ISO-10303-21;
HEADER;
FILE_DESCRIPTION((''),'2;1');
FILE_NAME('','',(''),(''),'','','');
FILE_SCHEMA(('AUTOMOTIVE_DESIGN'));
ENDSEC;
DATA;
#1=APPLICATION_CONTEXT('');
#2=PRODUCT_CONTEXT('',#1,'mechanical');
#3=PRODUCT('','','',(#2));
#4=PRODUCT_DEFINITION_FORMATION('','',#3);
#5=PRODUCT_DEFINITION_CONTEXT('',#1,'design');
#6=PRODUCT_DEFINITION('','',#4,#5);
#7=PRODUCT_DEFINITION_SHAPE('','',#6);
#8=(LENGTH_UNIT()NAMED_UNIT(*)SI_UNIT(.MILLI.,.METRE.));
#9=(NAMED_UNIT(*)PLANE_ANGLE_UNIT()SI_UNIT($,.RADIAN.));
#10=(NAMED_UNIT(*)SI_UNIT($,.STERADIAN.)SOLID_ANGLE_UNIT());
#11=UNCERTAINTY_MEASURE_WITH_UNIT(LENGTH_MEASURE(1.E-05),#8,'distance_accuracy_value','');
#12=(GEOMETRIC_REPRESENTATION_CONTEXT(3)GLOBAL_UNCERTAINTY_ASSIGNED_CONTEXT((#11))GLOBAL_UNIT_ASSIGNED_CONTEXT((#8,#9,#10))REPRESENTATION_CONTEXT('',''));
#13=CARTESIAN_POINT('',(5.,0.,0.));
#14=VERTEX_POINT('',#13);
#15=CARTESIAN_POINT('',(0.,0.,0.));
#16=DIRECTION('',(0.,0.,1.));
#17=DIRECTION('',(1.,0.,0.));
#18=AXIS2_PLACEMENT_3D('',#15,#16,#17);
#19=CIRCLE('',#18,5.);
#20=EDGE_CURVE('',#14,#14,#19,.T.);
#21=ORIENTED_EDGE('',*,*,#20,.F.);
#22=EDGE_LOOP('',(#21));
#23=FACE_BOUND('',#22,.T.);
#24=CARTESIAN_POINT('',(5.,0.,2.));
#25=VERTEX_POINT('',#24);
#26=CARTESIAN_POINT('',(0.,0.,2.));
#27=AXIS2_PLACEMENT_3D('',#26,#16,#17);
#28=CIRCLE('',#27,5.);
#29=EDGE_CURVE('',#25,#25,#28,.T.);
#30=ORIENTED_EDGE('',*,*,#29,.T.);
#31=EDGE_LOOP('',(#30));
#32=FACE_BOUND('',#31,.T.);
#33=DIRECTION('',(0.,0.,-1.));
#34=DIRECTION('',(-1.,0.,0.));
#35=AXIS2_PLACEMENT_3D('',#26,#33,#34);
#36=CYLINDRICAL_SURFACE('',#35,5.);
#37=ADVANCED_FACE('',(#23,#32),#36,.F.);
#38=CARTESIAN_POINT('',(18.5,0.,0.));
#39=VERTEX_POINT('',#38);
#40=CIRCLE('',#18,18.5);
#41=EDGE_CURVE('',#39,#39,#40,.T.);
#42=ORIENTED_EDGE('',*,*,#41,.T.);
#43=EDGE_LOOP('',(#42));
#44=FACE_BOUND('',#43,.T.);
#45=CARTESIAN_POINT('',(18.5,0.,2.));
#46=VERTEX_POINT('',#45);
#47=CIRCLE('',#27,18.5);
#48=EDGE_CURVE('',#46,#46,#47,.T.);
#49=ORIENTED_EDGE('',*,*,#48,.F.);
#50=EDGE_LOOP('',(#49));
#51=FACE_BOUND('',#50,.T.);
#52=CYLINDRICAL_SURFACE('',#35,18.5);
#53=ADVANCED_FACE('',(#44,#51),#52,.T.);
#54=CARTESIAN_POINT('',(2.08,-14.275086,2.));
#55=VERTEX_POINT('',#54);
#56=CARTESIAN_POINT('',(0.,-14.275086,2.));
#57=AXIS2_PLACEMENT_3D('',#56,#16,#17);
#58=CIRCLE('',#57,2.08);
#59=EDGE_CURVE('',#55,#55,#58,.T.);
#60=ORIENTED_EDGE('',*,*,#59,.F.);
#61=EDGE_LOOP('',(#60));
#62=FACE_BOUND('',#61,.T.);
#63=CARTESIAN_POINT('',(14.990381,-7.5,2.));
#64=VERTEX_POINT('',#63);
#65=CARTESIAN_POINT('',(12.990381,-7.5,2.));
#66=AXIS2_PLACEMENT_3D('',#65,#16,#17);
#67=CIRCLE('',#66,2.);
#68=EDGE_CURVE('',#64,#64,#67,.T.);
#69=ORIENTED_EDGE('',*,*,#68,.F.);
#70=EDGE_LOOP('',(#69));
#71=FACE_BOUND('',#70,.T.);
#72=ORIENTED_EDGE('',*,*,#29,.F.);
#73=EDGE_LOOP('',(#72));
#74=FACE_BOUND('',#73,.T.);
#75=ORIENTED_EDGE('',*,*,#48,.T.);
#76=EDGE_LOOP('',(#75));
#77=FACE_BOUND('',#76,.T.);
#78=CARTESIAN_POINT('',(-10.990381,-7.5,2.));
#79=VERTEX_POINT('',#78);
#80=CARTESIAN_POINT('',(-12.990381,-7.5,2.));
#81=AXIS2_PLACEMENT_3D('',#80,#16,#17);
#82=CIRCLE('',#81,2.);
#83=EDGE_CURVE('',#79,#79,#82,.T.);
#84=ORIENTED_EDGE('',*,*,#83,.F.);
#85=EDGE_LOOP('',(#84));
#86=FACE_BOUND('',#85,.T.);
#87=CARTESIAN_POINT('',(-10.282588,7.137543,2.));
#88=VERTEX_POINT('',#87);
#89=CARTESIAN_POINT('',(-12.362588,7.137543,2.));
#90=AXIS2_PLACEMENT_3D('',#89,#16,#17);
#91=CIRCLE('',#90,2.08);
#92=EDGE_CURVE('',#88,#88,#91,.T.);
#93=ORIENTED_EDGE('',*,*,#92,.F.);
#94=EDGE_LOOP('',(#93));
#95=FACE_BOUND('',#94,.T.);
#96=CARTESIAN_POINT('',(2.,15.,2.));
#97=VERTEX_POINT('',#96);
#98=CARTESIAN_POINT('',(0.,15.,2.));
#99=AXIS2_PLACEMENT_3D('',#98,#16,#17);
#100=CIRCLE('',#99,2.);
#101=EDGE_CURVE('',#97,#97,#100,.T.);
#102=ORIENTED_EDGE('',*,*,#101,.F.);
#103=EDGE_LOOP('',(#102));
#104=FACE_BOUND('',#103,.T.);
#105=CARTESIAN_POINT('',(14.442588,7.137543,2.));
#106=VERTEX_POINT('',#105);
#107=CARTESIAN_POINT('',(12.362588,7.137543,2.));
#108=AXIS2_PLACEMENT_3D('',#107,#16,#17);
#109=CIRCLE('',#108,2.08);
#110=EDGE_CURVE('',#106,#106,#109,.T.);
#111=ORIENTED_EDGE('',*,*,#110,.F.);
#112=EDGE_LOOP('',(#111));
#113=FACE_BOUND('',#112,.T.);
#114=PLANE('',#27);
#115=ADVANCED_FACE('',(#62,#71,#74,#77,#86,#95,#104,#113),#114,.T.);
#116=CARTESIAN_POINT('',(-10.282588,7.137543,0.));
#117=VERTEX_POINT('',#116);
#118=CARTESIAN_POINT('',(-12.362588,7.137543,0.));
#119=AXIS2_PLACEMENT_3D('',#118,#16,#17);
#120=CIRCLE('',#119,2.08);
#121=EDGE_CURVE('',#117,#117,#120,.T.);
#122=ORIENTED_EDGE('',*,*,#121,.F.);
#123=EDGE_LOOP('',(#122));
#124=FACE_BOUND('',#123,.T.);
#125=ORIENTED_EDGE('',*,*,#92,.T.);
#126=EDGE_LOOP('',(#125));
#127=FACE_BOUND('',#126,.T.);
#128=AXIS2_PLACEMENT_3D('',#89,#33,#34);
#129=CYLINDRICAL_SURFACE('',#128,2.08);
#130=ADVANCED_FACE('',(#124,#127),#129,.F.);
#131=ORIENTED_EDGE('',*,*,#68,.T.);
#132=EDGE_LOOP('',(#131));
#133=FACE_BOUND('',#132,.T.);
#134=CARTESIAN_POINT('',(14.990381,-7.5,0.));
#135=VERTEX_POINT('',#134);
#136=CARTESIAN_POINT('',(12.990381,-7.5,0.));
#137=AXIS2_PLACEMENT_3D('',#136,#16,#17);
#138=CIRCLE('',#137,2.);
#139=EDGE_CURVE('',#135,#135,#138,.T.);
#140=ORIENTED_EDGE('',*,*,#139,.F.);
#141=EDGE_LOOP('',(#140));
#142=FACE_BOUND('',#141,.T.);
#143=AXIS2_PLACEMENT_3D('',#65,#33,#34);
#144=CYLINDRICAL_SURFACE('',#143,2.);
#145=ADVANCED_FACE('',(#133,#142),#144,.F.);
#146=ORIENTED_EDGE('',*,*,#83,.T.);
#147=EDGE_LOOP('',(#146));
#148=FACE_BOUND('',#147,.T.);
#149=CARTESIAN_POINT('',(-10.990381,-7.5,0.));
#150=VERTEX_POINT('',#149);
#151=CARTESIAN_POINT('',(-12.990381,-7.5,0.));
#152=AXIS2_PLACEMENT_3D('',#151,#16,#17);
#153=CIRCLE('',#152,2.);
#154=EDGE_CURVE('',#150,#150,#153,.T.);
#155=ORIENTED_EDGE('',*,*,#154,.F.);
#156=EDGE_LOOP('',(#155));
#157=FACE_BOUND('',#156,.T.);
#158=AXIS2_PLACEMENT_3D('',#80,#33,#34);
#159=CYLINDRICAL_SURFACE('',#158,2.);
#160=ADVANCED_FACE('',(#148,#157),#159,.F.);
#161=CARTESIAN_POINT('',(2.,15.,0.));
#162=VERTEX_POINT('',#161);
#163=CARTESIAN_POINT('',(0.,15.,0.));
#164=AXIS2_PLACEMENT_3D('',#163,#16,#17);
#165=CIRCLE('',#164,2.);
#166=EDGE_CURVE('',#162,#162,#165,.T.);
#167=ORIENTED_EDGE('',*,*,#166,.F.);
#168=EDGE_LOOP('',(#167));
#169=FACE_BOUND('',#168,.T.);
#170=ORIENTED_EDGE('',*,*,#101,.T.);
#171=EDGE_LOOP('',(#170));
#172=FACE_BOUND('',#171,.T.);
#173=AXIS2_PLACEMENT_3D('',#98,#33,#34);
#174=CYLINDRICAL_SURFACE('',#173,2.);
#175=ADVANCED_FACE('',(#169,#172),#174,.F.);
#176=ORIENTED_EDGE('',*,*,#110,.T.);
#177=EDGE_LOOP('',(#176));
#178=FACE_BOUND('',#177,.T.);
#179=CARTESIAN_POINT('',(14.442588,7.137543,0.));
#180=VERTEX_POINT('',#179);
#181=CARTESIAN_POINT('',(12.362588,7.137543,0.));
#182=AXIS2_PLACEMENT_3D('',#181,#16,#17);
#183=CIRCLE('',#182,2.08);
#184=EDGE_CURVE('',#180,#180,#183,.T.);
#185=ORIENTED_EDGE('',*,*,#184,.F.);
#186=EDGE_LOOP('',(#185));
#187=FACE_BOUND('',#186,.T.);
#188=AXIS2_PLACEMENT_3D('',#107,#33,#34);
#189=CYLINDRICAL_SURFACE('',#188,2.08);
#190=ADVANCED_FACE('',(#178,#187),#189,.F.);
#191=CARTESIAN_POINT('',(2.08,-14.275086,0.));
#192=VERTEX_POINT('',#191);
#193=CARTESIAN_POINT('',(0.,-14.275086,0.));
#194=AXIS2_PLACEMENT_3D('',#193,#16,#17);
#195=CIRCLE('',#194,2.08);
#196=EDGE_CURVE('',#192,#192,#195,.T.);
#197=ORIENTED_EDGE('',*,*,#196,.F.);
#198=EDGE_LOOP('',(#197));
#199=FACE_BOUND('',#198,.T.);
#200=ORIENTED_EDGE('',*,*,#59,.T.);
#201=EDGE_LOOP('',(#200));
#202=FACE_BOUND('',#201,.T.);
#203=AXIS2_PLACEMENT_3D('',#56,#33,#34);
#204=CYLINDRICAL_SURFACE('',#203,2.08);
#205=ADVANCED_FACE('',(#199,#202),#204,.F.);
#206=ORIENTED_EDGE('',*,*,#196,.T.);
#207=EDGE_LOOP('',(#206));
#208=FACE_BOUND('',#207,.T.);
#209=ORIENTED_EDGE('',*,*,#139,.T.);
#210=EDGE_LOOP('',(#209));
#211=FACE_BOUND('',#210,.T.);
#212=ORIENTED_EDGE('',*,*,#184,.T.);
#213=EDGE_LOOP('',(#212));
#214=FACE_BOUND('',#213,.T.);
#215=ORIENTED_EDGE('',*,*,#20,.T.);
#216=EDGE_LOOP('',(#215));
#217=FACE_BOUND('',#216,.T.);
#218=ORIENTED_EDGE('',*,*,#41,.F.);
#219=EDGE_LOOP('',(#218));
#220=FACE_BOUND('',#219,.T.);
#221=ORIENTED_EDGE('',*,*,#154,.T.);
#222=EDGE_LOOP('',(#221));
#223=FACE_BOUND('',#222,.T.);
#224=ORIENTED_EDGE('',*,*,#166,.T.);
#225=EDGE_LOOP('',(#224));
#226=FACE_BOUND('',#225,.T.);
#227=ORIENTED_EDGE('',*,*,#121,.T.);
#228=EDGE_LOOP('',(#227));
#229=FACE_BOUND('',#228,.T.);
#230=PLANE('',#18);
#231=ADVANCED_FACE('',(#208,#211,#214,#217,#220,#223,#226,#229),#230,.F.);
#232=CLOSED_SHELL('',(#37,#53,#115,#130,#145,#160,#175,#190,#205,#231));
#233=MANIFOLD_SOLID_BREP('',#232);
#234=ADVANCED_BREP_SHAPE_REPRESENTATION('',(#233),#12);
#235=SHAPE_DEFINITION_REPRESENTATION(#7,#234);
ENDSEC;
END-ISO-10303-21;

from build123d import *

# Parameters (mm, degrees)
SKETCH_1_R      = 18.5
SKETCH_1_R_2    = 5
SKETCH_1_R_3    = 2
SKETCH_1_R_4    = 2.08
EXTRUDE_1_DEPTH = 2


with BuildPart() as part:
    # 草图1 → 凸台-拉伸1 (new body)
    with BuildSketch(Plane.XY):
        Circle(SKETCH_1_R)
        Circle(SKETCH_1_R_2, mode=Mode.SUBTRACT)
        with Locations((0, 15)):
            Circle(SKETCH_1_R_3, mode=Mode.SUBTRACT)
        with Locations((12.990381057, -7.5)):
            Circle(SKETCH_1_R_3, mode=Mode.SUBTRACT)
        with Locations((-12.990381057, -7.5)):
            Circle(SKETCH_1_R_3, mode=Mode.SUBTRACT)
        with Locations((-12.36258754, 7.137543244)):
            Circle(SKETCH_1_R_4, mode=Mode.SUBTRACT)
        with Locations((12.36258754, 7.137543244)):
            Circle(SKETCH_1_R_4, mode=Mode.SUBTRACT)
        with Locations((0, -14.275086489)):
            Circle(SKETCH_1_R_4, mode=Mode.SUBTRACT)
    extrude(amount=EXTRUDE_1_DEPTH)


solid = part.part
